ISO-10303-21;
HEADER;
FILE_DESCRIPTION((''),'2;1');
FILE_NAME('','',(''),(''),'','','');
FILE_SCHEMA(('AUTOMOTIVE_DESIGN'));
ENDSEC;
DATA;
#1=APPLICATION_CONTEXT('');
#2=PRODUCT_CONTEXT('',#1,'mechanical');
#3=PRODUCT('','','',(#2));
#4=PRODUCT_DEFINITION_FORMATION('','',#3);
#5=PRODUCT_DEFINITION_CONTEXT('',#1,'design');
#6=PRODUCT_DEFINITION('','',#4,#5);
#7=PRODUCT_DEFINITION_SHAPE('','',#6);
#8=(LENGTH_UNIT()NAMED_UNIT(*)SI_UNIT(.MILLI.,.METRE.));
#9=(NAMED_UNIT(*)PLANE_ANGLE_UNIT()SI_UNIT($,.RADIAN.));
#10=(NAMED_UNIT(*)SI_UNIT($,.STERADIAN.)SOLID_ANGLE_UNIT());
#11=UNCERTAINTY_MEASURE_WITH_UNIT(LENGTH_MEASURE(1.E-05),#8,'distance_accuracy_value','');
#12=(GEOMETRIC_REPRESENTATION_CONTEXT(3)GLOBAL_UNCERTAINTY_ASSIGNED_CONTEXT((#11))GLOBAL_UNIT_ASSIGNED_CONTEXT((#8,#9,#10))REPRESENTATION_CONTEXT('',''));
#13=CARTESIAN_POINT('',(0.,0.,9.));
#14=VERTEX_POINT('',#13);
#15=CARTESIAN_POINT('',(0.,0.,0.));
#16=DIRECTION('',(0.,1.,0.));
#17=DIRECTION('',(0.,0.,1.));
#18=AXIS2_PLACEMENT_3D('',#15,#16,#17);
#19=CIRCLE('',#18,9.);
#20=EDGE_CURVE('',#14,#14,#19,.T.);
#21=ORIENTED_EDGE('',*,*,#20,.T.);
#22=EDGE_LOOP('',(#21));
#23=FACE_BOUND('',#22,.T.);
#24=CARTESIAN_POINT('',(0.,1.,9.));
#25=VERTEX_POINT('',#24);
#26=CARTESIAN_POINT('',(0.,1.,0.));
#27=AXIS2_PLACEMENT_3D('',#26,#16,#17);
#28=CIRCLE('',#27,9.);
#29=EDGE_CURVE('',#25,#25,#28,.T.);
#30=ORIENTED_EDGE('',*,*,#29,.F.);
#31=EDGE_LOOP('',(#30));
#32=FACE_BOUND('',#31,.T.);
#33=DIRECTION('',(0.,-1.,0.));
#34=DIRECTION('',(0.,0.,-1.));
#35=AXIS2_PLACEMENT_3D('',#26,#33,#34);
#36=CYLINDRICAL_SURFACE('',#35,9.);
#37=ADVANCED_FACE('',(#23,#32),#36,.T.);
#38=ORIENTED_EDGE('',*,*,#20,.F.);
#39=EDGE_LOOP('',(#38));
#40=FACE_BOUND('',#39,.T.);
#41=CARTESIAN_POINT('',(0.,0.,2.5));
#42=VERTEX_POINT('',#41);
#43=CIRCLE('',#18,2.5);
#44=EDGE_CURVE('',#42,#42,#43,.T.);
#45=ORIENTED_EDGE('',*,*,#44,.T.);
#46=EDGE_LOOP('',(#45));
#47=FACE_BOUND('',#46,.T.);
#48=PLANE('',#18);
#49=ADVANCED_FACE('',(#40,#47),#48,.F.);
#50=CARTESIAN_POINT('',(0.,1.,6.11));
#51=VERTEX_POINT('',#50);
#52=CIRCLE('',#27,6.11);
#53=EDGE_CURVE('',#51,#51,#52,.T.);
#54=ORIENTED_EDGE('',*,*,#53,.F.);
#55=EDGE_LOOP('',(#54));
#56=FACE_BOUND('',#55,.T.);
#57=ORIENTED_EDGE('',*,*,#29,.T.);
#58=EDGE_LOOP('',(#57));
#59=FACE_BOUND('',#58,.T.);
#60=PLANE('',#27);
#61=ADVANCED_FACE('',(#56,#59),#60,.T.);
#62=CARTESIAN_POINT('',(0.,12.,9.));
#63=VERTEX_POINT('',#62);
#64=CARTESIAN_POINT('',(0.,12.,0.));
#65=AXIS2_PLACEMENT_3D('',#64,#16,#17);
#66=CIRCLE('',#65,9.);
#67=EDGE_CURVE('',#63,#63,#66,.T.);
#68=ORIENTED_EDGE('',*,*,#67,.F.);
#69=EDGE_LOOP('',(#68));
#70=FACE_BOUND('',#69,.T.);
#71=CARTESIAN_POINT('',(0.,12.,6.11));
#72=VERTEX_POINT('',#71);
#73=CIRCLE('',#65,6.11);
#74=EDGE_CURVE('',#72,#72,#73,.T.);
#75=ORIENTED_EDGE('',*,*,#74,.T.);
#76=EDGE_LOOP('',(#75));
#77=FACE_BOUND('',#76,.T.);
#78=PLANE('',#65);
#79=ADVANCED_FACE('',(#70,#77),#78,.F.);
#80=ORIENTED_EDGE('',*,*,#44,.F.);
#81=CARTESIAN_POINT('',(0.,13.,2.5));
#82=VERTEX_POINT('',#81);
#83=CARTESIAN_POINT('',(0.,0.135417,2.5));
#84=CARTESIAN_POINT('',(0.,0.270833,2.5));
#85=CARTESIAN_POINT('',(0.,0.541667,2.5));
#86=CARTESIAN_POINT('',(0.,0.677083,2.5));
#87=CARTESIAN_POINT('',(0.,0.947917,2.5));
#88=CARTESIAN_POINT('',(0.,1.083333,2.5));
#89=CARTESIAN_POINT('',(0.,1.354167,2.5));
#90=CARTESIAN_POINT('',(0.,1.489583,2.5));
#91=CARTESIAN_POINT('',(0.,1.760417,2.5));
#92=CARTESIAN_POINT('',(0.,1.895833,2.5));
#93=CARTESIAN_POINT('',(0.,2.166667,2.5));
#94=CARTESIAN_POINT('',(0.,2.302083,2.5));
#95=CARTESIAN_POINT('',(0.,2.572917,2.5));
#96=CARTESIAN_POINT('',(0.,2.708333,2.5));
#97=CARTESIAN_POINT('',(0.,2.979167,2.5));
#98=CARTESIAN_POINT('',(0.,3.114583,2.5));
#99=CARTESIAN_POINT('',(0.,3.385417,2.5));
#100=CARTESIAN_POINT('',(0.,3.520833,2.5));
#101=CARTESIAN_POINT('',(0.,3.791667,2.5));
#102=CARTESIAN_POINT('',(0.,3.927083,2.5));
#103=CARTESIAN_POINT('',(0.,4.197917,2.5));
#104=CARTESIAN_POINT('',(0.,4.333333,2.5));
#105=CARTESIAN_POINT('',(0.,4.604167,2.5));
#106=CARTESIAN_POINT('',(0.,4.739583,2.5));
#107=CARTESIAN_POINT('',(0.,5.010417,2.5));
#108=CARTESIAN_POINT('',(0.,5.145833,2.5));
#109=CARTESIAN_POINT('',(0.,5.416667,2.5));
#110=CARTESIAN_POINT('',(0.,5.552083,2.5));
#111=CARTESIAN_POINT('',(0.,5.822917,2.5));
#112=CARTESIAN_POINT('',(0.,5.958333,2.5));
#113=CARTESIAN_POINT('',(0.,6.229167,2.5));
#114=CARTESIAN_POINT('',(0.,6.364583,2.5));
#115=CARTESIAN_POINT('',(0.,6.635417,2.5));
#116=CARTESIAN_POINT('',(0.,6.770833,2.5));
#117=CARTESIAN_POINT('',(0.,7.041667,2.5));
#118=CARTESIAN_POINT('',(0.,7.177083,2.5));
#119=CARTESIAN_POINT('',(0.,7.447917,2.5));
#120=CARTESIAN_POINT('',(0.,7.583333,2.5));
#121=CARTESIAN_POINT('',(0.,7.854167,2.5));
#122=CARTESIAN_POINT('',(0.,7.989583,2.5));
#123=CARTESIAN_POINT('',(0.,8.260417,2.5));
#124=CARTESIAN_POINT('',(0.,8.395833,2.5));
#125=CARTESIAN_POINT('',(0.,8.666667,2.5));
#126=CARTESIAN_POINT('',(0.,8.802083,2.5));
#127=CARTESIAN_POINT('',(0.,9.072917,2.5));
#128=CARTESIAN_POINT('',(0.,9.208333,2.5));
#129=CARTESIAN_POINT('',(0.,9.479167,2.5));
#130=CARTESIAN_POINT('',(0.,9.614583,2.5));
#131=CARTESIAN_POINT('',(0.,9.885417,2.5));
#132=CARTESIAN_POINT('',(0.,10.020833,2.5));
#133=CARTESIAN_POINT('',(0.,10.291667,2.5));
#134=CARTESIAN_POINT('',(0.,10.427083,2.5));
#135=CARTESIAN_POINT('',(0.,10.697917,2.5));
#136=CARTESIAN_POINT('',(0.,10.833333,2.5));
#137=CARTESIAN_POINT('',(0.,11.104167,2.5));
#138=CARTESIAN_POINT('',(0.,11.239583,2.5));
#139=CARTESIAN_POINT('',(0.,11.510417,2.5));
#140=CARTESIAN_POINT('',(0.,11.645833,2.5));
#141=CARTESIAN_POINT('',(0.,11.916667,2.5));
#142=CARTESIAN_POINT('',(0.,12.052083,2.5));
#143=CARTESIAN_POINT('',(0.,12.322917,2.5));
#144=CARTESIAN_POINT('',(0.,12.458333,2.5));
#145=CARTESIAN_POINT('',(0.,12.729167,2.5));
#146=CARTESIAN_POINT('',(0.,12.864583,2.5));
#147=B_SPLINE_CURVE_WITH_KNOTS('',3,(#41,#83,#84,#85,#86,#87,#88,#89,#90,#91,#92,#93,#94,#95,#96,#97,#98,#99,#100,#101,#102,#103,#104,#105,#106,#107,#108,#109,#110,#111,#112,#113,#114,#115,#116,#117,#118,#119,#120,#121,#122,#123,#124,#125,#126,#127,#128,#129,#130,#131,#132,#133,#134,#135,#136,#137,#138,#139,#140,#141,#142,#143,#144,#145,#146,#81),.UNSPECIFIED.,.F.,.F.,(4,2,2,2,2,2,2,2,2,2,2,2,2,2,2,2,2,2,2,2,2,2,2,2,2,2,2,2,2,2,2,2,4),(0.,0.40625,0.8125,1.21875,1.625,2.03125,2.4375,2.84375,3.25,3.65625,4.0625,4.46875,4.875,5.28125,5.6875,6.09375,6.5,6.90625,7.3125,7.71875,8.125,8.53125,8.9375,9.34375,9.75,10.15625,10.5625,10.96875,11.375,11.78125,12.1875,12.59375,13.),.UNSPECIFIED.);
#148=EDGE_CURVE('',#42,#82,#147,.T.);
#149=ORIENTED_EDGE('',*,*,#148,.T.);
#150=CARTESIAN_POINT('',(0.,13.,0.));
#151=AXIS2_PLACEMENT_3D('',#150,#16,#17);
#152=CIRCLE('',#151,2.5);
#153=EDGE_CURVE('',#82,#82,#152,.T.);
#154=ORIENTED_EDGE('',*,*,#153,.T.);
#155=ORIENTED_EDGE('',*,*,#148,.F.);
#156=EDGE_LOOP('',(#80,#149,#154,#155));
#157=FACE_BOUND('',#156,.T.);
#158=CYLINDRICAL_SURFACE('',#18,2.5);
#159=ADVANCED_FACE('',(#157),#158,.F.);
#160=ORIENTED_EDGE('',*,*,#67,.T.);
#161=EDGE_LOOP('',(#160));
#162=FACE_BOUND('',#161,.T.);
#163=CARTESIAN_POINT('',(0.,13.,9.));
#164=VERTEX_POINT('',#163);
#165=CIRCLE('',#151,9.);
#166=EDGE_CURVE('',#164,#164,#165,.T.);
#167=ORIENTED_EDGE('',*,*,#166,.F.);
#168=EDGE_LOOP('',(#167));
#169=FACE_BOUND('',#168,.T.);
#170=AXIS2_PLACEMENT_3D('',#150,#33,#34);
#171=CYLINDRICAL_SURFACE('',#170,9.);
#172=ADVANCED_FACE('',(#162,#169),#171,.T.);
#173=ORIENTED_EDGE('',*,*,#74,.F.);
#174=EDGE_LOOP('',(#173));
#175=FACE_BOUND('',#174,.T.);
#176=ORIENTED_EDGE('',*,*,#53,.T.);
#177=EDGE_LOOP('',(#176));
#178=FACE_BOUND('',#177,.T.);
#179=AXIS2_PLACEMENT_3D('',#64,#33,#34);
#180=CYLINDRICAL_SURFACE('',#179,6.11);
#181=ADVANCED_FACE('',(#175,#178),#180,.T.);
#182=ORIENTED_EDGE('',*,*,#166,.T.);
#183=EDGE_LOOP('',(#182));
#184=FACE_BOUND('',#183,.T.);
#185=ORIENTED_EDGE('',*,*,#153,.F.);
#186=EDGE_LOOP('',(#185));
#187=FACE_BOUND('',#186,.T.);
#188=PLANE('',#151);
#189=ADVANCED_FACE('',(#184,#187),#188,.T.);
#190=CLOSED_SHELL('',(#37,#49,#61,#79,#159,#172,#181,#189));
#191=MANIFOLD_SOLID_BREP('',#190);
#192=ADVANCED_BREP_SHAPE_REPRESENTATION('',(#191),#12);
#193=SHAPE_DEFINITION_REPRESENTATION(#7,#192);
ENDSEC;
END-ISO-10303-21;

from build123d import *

# Parameters (mm, degrees)
SKETCH_1_R          = 9
EXTRUDE_1_DEPTH     = 1
SKETCH_2_R          = 6.11
EXTRUDE_2_DEPTH     = 11
SKETCH_3_R          = 9
EXTRUDE_3_DEPTH     = 1
SKETCH_4_R          = 2.5
CUT_EXTRUDE_1_DEPTH = 13


with BuildPart() as part:
    # 草图1 → 凸台-拉伸1 (new body)
    with BuildSketch(Plane(origin=(0, 0, 0), x_dir=(1, 0, 0), z_dir=(0, 1, 0))):
        with Locations(Location((0, 0, 0), (0, 0, 270))):
            Circle(SKETCH_1_R)
    extrude(amount=EXTRUDE_1_DEPTH)

    # 草图2 → 凸台-拉伸2 (add)
    with BuildSketch(Plane(origin=(0, 1, 0), x_dir=(1, 0, 0), z_dir=(0, 1, 0))):
        with Locations(Location((0, 0, 0), (0, 0, 270))):
            Circle(SKETCH_2_R)
    extrude(amount=EXTRUDE_2_DEPTH)

    # 草图3 → 凸台-拉伸3 (add)
    with BuildSketch(Plane(origin=(0, 12, 0), x_dir=(1, 0, 0), z_dir=(0, 1, 0))):
        with Locations(Location((0, 0, 0), (0, 0, 270))):
            Circle(SKETCH_3_R)
    extrude(amount=EXTRUDE_3_DEPTH)

    # 草图4 → 切除-拉伸1 (cut)
    with BuildSketch(Plane(origin=(0, 13, 0), x_dir=(1, 0, 0), z_dir=(0, 1, 0))):
        with Locations(Location((0, 0, 0), (0, 0, 270))):
            Circle(SKETCH_4_R)
    extrude(amount=-CUT_EXTRUDE_1_DEPTH, mode=Mode.SUBTRACT)


solid = part.part
